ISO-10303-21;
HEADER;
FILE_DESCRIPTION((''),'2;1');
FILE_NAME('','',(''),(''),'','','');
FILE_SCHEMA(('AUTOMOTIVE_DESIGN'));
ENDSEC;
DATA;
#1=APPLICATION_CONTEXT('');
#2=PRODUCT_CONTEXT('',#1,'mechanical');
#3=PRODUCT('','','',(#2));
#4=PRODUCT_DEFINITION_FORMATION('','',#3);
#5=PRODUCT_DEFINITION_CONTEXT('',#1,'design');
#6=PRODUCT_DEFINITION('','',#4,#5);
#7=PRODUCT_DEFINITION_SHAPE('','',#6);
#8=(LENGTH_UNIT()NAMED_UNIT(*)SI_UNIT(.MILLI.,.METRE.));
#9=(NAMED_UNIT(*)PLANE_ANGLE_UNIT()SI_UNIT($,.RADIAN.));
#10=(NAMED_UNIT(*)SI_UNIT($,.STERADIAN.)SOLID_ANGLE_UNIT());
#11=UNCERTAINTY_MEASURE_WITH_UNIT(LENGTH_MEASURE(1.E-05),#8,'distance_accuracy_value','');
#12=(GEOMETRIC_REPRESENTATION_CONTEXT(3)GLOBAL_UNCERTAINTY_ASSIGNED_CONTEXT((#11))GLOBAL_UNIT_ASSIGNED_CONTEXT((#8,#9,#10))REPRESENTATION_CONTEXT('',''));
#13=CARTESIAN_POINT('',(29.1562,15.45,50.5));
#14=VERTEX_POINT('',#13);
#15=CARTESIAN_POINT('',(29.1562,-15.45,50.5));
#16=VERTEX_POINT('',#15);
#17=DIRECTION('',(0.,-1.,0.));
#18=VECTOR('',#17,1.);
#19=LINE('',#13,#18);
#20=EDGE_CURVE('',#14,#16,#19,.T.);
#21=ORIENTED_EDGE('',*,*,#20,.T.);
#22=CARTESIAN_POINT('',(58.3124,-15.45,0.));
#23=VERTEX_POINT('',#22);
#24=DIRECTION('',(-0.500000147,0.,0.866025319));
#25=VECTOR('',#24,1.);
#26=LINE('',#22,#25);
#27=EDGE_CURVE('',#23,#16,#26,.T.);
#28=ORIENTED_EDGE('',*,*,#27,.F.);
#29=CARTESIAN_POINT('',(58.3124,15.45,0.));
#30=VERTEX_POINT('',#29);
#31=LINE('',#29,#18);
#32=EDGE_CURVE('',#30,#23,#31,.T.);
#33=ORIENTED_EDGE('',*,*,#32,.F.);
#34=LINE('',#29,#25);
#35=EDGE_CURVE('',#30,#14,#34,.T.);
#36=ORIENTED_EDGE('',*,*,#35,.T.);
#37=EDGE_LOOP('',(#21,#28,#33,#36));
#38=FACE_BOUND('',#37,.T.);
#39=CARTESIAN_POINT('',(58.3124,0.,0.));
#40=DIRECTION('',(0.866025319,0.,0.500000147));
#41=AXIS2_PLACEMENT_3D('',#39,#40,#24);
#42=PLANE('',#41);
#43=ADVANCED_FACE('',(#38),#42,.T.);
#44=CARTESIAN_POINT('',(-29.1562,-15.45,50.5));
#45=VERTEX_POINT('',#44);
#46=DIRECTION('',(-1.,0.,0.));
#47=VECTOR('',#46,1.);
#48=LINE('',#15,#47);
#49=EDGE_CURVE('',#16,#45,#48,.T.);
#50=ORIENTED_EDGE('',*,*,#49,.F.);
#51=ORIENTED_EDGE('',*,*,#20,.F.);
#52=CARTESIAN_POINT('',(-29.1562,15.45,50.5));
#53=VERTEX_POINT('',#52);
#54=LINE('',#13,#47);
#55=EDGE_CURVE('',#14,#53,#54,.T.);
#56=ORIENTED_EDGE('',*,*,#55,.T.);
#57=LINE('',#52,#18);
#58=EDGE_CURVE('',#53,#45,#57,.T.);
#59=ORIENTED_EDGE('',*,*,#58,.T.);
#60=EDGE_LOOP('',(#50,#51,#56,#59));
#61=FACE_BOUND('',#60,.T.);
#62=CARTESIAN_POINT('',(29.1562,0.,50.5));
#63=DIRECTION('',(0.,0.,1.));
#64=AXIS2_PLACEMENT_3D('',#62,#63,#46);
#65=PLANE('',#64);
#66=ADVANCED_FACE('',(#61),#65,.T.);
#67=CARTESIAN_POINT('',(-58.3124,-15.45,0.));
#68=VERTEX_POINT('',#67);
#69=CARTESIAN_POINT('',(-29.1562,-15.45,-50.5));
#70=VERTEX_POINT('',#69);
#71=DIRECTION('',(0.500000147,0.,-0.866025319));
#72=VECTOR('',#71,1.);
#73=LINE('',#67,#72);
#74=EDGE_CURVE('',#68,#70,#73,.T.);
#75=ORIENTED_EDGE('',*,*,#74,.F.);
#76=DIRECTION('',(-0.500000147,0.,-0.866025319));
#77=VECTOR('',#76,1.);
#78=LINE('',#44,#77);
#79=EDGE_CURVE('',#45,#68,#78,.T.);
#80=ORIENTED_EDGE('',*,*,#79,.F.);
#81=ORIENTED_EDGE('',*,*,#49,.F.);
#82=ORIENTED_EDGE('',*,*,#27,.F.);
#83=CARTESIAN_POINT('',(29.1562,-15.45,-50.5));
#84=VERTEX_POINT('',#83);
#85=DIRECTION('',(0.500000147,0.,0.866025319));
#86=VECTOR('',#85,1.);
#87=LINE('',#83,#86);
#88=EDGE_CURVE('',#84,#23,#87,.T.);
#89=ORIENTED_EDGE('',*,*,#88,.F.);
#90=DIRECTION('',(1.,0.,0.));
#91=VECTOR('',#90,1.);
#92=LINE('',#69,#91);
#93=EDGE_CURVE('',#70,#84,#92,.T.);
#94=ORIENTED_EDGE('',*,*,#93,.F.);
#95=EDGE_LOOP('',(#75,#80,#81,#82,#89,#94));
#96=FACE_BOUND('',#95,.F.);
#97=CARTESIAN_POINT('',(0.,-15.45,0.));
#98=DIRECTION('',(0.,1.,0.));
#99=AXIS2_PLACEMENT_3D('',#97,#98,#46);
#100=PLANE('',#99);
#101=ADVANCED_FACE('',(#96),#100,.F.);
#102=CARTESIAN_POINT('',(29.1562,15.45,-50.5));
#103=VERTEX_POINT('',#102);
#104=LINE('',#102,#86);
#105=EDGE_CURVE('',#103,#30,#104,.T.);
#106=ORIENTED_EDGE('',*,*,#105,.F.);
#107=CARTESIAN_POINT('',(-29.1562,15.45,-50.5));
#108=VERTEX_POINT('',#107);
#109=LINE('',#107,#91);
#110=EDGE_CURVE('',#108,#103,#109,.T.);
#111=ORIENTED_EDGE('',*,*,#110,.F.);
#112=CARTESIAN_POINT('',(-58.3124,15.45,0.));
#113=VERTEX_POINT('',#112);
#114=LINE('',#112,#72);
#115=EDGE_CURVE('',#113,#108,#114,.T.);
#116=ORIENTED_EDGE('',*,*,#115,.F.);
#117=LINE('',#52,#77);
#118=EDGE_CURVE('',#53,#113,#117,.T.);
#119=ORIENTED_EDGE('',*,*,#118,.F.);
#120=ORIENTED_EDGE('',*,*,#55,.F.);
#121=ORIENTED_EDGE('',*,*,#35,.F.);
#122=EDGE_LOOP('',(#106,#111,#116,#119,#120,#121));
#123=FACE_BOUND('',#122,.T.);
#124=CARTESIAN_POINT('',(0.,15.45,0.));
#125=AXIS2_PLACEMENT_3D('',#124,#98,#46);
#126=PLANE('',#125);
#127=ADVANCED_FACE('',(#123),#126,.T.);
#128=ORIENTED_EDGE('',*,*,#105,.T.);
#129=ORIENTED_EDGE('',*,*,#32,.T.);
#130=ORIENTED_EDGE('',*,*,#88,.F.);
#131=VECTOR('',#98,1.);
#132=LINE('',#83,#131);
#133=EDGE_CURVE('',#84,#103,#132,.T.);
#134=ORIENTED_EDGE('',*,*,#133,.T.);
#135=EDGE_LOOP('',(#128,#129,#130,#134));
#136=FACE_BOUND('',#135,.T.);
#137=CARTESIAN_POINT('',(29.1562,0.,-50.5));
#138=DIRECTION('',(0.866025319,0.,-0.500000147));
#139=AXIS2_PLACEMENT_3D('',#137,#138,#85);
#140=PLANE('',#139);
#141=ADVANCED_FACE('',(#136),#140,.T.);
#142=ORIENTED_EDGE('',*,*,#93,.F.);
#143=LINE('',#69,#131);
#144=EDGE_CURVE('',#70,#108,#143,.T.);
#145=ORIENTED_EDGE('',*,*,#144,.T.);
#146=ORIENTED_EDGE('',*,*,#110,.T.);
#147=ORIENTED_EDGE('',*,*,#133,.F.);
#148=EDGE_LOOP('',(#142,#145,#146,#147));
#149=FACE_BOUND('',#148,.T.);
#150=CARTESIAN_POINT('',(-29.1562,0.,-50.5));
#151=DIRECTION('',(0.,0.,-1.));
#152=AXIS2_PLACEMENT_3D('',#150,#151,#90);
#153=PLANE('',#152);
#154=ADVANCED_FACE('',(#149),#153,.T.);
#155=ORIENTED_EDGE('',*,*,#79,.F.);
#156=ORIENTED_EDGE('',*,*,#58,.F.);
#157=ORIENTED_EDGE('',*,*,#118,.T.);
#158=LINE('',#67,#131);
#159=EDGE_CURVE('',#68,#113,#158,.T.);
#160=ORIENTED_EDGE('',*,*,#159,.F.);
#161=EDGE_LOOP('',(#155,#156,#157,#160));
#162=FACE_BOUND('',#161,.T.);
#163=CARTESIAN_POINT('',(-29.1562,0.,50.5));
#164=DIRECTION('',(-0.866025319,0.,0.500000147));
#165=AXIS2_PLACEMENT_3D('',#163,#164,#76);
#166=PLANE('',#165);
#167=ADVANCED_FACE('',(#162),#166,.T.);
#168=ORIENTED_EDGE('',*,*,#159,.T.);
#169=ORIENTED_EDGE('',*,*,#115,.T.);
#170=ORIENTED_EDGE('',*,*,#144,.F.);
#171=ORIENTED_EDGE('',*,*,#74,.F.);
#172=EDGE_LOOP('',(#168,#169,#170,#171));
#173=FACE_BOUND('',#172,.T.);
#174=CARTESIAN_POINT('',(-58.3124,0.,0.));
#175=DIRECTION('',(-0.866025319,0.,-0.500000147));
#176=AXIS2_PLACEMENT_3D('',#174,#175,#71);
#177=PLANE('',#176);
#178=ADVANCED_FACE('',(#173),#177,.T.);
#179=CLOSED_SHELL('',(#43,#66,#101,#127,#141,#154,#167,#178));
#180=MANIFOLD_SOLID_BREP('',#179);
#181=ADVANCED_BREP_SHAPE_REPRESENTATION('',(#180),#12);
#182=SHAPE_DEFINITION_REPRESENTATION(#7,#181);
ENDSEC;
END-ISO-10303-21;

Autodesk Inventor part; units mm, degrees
ref_plane "YZ Plane" through (0, 0, 0) normal (1, 0, 0) x (0, 1, 0)
ref_plane "XZ Plane" through (0, 0, 0) normal (0, 1, 0) x (-1, 0, 0)
ref_plane "XY Plane" through (0, 0, 0) normal (0, 0, 1) x (1, 0, 0)
sketch "Sketch1" plane through (0, 0, 0) normal (0, 1, 0) x (-1, 0, 0)
  line L0 (-29.1562, -50.5) -> (-58.3124, 0)
  line L1 (-58.3124, 0) -> (-29.1562, 50.5)
  line L2 (-29.1562, 50.5) -> (29.1562, 50.5)
  line L3 (29.1562, 50.5) -> (58.3124, 0)
  line L4 (58.3124, 0) -> (29.1562, -50.5)
  line L5 (29.1562, -50.5) -> (-29.1562, -50.5)
  point P0 (0, 0)
  point P1 (0, 0)
  dimension "d0" = 101
extrude "Extrusion1" add sketch "Sketch1" along normal mid plane 30.9
properties part number "Hex_Reds" material "Paper"
